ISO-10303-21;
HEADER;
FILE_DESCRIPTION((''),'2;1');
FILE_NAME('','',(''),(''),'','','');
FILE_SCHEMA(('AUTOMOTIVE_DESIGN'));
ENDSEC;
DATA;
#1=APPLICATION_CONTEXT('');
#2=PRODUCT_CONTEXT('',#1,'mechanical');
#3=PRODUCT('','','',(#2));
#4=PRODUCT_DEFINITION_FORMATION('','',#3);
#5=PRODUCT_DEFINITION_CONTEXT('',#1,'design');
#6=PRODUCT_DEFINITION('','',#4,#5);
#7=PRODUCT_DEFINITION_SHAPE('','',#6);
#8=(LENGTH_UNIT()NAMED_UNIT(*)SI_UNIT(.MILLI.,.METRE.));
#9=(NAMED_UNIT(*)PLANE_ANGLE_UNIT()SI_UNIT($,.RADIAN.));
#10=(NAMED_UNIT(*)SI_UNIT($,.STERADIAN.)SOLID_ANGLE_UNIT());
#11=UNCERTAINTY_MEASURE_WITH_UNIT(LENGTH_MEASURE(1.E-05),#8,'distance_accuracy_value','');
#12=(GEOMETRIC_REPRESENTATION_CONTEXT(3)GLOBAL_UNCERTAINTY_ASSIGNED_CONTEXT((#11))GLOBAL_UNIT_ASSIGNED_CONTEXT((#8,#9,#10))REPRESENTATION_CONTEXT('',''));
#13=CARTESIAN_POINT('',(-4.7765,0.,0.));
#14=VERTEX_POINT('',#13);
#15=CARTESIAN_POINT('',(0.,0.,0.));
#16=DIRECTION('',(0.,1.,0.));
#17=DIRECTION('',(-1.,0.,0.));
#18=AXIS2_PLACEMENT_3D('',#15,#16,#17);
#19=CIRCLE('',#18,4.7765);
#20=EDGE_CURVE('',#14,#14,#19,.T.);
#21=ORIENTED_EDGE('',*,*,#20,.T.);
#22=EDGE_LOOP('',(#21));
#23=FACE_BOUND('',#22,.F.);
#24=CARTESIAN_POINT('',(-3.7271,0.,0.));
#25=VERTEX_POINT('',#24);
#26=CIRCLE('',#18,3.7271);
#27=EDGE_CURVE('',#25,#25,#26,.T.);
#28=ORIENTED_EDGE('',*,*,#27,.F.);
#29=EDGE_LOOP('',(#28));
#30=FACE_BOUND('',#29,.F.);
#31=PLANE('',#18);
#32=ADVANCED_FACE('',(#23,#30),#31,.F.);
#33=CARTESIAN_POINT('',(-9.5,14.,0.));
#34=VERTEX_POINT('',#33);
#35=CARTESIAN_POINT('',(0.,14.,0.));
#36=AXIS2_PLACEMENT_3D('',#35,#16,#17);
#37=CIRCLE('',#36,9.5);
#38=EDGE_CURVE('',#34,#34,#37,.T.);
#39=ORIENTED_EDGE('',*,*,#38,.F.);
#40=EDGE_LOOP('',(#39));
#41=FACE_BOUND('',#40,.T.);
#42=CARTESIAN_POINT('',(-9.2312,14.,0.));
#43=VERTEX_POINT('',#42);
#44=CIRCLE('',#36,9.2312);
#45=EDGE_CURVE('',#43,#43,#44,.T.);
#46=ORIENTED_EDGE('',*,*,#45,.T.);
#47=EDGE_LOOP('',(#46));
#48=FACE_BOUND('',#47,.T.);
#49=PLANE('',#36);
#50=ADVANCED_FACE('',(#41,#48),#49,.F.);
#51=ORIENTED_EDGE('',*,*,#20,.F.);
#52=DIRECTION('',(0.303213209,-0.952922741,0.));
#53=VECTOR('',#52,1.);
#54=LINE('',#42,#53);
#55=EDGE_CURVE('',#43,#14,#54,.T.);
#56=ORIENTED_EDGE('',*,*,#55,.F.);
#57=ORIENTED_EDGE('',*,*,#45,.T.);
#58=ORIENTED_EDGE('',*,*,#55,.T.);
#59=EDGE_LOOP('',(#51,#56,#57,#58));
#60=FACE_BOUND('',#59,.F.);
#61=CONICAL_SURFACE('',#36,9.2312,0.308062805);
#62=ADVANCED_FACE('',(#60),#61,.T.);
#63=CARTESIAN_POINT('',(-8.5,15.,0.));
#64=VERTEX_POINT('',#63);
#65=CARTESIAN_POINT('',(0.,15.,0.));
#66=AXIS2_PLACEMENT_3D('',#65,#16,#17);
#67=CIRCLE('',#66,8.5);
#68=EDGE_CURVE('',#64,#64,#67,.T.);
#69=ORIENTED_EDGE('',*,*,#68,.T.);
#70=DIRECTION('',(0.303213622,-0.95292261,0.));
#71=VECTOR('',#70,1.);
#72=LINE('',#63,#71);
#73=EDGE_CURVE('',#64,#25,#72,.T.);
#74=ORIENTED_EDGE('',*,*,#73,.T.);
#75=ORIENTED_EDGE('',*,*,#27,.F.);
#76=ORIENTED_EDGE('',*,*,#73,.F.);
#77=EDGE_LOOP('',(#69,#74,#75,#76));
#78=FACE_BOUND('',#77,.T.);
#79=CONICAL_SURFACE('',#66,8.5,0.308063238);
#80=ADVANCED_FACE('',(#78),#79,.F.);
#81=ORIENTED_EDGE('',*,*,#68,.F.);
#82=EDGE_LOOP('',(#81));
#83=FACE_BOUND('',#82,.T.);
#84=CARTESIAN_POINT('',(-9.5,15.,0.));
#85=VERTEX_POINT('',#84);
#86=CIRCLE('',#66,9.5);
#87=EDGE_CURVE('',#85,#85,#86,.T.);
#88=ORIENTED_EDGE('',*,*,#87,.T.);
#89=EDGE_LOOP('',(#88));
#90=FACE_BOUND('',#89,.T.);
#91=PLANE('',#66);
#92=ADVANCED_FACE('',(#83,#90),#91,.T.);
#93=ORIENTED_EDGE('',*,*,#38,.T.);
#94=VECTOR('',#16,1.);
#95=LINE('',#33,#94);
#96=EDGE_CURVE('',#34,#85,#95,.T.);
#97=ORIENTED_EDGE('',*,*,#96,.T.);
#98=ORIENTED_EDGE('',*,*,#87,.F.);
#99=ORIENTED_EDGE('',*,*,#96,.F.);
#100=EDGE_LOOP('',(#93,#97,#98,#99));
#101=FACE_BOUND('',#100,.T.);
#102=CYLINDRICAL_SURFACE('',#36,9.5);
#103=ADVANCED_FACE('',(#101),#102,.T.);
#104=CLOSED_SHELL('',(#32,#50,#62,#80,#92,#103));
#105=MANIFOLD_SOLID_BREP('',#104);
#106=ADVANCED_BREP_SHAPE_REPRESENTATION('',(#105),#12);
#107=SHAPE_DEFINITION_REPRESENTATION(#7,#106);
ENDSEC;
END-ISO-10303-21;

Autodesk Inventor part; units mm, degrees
ref_plane "YZ Plane" through (0, 0, 0) normal (1, 0, 0) x (0, 1, 0)
ref_plane "XZ Plane" through (0, 0, 0) normal (0, 1, 0) x (-1, 0, 0)
ref_plane "XY Plane" through (0, 0, 0) normal (0, 0, 1) x (1, 0, 0)
sketch "Skizze4" plane through (0, 0, 0) normal (0, 0, 1) x (1, 0, 0)
  line L0 (0, -3) -> (0, 18) projected
  line L1 (-11.4593, 0) -> (1.9099, 0) construction
  line L2 (-9.5, 15) -> (-8.5, 15)
  line L3 (-8.5, 15) -> (-3.7271, 0)
  line L4 (-9.2312, 14) -> (-4.7765, 0)
  line L5 (-4.7765, 0) -> (-3.7271, 0)
  line L6 (-9.5, 15) -> (-8.4246, 15)
  line L7 (-9.2312, 14) -> (-9.5, 14)
  line L8 (-9.5, 14) -> (-9.5, 15)
  line L9 (-4.7765, 0) -> (-9.5494, 15) construction
  point P0 (0, 0)
  dimension "d4" = 9.553
  dimension "d5" = 19
  dimension "d6" = 1
  dimension "d8" = 15
  dimension "d11" = 1
  dimension "d12" = 1
revolve "Umdrehung1" add sketch "Skizze4" angle 360 about axis through (0, -10, 0) along (0, 1, 0)
properties part number "Parabol" material "1.4301 X 5 CrNi 18 10"
